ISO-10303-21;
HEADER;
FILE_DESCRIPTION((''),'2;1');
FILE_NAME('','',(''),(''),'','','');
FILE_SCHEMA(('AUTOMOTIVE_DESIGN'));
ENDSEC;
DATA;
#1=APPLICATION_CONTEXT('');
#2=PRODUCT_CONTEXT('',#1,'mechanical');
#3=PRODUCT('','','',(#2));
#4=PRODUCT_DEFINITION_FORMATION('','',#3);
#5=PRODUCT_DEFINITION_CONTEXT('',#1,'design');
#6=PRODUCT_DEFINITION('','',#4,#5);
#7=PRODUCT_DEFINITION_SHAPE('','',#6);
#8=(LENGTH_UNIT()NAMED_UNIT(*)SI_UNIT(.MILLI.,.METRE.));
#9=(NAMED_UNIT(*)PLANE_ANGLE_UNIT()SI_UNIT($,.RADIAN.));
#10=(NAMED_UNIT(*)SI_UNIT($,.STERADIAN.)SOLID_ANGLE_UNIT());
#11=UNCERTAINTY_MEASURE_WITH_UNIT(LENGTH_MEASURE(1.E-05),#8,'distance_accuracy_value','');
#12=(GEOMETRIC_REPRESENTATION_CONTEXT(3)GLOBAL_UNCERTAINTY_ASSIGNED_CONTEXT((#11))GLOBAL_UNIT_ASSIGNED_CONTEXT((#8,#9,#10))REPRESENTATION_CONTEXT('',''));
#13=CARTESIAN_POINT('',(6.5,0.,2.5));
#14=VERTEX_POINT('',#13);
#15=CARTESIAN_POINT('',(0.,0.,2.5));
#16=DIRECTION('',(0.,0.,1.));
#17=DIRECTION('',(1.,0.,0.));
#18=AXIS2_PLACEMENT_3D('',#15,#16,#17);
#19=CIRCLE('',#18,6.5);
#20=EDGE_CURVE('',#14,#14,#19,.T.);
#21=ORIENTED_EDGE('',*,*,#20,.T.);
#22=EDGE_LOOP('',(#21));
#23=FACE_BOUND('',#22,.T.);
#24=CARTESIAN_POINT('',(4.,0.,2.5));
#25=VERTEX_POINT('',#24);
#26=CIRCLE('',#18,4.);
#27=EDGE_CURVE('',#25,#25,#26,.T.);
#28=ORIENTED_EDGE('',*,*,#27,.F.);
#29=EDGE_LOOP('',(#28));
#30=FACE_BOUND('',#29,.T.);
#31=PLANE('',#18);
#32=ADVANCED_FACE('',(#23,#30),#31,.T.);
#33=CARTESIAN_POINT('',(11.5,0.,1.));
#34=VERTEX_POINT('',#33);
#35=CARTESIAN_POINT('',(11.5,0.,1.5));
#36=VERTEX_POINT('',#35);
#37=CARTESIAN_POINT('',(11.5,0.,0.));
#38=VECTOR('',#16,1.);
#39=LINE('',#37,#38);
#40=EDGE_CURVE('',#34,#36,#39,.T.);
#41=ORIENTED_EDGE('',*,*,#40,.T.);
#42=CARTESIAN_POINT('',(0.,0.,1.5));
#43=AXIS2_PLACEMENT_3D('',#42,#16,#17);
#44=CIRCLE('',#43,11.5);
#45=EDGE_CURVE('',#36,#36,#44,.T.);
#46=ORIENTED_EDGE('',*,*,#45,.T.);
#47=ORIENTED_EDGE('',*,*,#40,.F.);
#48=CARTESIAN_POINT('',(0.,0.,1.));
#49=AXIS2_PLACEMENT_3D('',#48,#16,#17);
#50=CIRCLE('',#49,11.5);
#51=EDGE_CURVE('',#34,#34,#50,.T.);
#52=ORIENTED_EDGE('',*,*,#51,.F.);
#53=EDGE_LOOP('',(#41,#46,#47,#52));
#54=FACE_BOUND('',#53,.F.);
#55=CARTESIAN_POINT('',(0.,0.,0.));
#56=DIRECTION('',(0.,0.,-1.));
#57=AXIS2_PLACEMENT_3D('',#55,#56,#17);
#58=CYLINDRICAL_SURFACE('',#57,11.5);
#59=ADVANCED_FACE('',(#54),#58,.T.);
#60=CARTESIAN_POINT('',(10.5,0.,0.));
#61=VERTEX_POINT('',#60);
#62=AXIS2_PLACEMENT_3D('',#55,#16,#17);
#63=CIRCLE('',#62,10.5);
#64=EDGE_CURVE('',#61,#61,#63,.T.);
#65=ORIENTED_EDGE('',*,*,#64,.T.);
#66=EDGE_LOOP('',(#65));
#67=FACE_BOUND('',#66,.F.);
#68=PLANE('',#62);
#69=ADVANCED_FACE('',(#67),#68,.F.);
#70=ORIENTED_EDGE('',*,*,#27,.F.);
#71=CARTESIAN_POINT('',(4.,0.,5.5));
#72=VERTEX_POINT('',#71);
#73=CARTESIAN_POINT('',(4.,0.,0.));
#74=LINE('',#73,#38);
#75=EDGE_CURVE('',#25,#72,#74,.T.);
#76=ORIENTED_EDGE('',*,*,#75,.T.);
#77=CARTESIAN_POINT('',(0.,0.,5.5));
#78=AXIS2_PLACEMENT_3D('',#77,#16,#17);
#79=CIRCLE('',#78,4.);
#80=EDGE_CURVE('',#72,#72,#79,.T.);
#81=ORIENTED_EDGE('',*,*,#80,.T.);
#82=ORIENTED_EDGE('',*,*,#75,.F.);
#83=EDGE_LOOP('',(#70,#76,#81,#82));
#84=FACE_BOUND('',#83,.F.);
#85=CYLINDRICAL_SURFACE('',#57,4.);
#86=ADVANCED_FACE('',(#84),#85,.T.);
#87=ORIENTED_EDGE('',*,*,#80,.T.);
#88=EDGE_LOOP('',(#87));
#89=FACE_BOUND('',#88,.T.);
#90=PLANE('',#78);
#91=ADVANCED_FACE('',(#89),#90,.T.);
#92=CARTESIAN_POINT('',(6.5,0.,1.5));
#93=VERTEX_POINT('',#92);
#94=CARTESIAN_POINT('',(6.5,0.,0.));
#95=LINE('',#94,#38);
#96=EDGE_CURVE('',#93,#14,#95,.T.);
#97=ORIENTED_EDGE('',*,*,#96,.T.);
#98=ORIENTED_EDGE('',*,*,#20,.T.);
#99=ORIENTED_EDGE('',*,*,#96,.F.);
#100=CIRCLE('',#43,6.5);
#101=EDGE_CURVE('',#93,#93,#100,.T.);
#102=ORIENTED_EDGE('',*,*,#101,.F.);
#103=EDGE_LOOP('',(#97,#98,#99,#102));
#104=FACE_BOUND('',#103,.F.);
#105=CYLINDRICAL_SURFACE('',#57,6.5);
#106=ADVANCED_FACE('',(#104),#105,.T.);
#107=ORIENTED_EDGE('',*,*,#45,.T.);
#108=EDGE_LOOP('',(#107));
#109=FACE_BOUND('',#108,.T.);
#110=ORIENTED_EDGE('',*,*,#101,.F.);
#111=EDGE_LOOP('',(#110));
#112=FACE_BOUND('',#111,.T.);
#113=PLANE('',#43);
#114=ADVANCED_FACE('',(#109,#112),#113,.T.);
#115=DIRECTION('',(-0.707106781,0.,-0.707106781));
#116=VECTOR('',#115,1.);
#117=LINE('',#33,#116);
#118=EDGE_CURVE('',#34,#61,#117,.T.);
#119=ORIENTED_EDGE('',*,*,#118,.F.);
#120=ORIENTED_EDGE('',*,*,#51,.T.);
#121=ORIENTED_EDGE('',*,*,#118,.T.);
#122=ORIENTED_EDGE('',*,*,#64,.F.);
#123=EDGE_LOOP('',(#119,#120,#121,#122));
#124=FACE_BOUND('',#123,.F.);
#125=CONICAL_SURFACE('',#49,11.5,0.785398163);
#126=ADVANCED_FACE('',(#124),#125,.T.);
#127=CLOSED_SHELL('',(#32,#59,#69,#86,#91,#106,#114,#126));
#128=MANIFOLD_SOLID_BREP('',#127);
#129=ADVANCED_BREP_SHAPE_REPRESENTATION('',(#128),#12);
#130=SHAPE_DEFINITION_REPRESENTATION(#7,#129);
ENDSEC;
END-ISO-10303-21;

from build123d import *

# Parameters (mm, degrees)
F0_R     = 11.5
F0_R_2   = 6.5
F1_DEPTH = 1.5
F0_R_3   = 4
F2_DEPTH = 2.5
F3_DEPTH = 5.5
F4_SIZE  = 1


with BuildPart() as f1:
    # F0 (on Top) → F1 (new body)
    with BuildSketch(Plane.XY):
        Circle(F0_R)
        Circle(F0_R_2, mode=Mode.SUBTRACT)
    extrude(amount=F1_DEPTH)

    # F0 (on Top) → F2 (join)
    with BuildSketch(Plane.XY):
        Circle(F0_R_2)
        Circle(F0_R_3, mode=Mode.SUBTRACT)
    extrude(amount=F2_DEPTH)

    # F0 (on Top) → F3 (join)
    with BuildSketch(Plane.XY):
        Circle(F0_R_3)
    extrude(amount=F3_DEPTH)

    # F4
    f4_edges = [f1.edges().sort_by_distance(p)[0] for p in [
        (-11.5, 0, 0),
    ]]
    chamfer(f4_edges, length=F4_SIZE)


solid = f1.part
